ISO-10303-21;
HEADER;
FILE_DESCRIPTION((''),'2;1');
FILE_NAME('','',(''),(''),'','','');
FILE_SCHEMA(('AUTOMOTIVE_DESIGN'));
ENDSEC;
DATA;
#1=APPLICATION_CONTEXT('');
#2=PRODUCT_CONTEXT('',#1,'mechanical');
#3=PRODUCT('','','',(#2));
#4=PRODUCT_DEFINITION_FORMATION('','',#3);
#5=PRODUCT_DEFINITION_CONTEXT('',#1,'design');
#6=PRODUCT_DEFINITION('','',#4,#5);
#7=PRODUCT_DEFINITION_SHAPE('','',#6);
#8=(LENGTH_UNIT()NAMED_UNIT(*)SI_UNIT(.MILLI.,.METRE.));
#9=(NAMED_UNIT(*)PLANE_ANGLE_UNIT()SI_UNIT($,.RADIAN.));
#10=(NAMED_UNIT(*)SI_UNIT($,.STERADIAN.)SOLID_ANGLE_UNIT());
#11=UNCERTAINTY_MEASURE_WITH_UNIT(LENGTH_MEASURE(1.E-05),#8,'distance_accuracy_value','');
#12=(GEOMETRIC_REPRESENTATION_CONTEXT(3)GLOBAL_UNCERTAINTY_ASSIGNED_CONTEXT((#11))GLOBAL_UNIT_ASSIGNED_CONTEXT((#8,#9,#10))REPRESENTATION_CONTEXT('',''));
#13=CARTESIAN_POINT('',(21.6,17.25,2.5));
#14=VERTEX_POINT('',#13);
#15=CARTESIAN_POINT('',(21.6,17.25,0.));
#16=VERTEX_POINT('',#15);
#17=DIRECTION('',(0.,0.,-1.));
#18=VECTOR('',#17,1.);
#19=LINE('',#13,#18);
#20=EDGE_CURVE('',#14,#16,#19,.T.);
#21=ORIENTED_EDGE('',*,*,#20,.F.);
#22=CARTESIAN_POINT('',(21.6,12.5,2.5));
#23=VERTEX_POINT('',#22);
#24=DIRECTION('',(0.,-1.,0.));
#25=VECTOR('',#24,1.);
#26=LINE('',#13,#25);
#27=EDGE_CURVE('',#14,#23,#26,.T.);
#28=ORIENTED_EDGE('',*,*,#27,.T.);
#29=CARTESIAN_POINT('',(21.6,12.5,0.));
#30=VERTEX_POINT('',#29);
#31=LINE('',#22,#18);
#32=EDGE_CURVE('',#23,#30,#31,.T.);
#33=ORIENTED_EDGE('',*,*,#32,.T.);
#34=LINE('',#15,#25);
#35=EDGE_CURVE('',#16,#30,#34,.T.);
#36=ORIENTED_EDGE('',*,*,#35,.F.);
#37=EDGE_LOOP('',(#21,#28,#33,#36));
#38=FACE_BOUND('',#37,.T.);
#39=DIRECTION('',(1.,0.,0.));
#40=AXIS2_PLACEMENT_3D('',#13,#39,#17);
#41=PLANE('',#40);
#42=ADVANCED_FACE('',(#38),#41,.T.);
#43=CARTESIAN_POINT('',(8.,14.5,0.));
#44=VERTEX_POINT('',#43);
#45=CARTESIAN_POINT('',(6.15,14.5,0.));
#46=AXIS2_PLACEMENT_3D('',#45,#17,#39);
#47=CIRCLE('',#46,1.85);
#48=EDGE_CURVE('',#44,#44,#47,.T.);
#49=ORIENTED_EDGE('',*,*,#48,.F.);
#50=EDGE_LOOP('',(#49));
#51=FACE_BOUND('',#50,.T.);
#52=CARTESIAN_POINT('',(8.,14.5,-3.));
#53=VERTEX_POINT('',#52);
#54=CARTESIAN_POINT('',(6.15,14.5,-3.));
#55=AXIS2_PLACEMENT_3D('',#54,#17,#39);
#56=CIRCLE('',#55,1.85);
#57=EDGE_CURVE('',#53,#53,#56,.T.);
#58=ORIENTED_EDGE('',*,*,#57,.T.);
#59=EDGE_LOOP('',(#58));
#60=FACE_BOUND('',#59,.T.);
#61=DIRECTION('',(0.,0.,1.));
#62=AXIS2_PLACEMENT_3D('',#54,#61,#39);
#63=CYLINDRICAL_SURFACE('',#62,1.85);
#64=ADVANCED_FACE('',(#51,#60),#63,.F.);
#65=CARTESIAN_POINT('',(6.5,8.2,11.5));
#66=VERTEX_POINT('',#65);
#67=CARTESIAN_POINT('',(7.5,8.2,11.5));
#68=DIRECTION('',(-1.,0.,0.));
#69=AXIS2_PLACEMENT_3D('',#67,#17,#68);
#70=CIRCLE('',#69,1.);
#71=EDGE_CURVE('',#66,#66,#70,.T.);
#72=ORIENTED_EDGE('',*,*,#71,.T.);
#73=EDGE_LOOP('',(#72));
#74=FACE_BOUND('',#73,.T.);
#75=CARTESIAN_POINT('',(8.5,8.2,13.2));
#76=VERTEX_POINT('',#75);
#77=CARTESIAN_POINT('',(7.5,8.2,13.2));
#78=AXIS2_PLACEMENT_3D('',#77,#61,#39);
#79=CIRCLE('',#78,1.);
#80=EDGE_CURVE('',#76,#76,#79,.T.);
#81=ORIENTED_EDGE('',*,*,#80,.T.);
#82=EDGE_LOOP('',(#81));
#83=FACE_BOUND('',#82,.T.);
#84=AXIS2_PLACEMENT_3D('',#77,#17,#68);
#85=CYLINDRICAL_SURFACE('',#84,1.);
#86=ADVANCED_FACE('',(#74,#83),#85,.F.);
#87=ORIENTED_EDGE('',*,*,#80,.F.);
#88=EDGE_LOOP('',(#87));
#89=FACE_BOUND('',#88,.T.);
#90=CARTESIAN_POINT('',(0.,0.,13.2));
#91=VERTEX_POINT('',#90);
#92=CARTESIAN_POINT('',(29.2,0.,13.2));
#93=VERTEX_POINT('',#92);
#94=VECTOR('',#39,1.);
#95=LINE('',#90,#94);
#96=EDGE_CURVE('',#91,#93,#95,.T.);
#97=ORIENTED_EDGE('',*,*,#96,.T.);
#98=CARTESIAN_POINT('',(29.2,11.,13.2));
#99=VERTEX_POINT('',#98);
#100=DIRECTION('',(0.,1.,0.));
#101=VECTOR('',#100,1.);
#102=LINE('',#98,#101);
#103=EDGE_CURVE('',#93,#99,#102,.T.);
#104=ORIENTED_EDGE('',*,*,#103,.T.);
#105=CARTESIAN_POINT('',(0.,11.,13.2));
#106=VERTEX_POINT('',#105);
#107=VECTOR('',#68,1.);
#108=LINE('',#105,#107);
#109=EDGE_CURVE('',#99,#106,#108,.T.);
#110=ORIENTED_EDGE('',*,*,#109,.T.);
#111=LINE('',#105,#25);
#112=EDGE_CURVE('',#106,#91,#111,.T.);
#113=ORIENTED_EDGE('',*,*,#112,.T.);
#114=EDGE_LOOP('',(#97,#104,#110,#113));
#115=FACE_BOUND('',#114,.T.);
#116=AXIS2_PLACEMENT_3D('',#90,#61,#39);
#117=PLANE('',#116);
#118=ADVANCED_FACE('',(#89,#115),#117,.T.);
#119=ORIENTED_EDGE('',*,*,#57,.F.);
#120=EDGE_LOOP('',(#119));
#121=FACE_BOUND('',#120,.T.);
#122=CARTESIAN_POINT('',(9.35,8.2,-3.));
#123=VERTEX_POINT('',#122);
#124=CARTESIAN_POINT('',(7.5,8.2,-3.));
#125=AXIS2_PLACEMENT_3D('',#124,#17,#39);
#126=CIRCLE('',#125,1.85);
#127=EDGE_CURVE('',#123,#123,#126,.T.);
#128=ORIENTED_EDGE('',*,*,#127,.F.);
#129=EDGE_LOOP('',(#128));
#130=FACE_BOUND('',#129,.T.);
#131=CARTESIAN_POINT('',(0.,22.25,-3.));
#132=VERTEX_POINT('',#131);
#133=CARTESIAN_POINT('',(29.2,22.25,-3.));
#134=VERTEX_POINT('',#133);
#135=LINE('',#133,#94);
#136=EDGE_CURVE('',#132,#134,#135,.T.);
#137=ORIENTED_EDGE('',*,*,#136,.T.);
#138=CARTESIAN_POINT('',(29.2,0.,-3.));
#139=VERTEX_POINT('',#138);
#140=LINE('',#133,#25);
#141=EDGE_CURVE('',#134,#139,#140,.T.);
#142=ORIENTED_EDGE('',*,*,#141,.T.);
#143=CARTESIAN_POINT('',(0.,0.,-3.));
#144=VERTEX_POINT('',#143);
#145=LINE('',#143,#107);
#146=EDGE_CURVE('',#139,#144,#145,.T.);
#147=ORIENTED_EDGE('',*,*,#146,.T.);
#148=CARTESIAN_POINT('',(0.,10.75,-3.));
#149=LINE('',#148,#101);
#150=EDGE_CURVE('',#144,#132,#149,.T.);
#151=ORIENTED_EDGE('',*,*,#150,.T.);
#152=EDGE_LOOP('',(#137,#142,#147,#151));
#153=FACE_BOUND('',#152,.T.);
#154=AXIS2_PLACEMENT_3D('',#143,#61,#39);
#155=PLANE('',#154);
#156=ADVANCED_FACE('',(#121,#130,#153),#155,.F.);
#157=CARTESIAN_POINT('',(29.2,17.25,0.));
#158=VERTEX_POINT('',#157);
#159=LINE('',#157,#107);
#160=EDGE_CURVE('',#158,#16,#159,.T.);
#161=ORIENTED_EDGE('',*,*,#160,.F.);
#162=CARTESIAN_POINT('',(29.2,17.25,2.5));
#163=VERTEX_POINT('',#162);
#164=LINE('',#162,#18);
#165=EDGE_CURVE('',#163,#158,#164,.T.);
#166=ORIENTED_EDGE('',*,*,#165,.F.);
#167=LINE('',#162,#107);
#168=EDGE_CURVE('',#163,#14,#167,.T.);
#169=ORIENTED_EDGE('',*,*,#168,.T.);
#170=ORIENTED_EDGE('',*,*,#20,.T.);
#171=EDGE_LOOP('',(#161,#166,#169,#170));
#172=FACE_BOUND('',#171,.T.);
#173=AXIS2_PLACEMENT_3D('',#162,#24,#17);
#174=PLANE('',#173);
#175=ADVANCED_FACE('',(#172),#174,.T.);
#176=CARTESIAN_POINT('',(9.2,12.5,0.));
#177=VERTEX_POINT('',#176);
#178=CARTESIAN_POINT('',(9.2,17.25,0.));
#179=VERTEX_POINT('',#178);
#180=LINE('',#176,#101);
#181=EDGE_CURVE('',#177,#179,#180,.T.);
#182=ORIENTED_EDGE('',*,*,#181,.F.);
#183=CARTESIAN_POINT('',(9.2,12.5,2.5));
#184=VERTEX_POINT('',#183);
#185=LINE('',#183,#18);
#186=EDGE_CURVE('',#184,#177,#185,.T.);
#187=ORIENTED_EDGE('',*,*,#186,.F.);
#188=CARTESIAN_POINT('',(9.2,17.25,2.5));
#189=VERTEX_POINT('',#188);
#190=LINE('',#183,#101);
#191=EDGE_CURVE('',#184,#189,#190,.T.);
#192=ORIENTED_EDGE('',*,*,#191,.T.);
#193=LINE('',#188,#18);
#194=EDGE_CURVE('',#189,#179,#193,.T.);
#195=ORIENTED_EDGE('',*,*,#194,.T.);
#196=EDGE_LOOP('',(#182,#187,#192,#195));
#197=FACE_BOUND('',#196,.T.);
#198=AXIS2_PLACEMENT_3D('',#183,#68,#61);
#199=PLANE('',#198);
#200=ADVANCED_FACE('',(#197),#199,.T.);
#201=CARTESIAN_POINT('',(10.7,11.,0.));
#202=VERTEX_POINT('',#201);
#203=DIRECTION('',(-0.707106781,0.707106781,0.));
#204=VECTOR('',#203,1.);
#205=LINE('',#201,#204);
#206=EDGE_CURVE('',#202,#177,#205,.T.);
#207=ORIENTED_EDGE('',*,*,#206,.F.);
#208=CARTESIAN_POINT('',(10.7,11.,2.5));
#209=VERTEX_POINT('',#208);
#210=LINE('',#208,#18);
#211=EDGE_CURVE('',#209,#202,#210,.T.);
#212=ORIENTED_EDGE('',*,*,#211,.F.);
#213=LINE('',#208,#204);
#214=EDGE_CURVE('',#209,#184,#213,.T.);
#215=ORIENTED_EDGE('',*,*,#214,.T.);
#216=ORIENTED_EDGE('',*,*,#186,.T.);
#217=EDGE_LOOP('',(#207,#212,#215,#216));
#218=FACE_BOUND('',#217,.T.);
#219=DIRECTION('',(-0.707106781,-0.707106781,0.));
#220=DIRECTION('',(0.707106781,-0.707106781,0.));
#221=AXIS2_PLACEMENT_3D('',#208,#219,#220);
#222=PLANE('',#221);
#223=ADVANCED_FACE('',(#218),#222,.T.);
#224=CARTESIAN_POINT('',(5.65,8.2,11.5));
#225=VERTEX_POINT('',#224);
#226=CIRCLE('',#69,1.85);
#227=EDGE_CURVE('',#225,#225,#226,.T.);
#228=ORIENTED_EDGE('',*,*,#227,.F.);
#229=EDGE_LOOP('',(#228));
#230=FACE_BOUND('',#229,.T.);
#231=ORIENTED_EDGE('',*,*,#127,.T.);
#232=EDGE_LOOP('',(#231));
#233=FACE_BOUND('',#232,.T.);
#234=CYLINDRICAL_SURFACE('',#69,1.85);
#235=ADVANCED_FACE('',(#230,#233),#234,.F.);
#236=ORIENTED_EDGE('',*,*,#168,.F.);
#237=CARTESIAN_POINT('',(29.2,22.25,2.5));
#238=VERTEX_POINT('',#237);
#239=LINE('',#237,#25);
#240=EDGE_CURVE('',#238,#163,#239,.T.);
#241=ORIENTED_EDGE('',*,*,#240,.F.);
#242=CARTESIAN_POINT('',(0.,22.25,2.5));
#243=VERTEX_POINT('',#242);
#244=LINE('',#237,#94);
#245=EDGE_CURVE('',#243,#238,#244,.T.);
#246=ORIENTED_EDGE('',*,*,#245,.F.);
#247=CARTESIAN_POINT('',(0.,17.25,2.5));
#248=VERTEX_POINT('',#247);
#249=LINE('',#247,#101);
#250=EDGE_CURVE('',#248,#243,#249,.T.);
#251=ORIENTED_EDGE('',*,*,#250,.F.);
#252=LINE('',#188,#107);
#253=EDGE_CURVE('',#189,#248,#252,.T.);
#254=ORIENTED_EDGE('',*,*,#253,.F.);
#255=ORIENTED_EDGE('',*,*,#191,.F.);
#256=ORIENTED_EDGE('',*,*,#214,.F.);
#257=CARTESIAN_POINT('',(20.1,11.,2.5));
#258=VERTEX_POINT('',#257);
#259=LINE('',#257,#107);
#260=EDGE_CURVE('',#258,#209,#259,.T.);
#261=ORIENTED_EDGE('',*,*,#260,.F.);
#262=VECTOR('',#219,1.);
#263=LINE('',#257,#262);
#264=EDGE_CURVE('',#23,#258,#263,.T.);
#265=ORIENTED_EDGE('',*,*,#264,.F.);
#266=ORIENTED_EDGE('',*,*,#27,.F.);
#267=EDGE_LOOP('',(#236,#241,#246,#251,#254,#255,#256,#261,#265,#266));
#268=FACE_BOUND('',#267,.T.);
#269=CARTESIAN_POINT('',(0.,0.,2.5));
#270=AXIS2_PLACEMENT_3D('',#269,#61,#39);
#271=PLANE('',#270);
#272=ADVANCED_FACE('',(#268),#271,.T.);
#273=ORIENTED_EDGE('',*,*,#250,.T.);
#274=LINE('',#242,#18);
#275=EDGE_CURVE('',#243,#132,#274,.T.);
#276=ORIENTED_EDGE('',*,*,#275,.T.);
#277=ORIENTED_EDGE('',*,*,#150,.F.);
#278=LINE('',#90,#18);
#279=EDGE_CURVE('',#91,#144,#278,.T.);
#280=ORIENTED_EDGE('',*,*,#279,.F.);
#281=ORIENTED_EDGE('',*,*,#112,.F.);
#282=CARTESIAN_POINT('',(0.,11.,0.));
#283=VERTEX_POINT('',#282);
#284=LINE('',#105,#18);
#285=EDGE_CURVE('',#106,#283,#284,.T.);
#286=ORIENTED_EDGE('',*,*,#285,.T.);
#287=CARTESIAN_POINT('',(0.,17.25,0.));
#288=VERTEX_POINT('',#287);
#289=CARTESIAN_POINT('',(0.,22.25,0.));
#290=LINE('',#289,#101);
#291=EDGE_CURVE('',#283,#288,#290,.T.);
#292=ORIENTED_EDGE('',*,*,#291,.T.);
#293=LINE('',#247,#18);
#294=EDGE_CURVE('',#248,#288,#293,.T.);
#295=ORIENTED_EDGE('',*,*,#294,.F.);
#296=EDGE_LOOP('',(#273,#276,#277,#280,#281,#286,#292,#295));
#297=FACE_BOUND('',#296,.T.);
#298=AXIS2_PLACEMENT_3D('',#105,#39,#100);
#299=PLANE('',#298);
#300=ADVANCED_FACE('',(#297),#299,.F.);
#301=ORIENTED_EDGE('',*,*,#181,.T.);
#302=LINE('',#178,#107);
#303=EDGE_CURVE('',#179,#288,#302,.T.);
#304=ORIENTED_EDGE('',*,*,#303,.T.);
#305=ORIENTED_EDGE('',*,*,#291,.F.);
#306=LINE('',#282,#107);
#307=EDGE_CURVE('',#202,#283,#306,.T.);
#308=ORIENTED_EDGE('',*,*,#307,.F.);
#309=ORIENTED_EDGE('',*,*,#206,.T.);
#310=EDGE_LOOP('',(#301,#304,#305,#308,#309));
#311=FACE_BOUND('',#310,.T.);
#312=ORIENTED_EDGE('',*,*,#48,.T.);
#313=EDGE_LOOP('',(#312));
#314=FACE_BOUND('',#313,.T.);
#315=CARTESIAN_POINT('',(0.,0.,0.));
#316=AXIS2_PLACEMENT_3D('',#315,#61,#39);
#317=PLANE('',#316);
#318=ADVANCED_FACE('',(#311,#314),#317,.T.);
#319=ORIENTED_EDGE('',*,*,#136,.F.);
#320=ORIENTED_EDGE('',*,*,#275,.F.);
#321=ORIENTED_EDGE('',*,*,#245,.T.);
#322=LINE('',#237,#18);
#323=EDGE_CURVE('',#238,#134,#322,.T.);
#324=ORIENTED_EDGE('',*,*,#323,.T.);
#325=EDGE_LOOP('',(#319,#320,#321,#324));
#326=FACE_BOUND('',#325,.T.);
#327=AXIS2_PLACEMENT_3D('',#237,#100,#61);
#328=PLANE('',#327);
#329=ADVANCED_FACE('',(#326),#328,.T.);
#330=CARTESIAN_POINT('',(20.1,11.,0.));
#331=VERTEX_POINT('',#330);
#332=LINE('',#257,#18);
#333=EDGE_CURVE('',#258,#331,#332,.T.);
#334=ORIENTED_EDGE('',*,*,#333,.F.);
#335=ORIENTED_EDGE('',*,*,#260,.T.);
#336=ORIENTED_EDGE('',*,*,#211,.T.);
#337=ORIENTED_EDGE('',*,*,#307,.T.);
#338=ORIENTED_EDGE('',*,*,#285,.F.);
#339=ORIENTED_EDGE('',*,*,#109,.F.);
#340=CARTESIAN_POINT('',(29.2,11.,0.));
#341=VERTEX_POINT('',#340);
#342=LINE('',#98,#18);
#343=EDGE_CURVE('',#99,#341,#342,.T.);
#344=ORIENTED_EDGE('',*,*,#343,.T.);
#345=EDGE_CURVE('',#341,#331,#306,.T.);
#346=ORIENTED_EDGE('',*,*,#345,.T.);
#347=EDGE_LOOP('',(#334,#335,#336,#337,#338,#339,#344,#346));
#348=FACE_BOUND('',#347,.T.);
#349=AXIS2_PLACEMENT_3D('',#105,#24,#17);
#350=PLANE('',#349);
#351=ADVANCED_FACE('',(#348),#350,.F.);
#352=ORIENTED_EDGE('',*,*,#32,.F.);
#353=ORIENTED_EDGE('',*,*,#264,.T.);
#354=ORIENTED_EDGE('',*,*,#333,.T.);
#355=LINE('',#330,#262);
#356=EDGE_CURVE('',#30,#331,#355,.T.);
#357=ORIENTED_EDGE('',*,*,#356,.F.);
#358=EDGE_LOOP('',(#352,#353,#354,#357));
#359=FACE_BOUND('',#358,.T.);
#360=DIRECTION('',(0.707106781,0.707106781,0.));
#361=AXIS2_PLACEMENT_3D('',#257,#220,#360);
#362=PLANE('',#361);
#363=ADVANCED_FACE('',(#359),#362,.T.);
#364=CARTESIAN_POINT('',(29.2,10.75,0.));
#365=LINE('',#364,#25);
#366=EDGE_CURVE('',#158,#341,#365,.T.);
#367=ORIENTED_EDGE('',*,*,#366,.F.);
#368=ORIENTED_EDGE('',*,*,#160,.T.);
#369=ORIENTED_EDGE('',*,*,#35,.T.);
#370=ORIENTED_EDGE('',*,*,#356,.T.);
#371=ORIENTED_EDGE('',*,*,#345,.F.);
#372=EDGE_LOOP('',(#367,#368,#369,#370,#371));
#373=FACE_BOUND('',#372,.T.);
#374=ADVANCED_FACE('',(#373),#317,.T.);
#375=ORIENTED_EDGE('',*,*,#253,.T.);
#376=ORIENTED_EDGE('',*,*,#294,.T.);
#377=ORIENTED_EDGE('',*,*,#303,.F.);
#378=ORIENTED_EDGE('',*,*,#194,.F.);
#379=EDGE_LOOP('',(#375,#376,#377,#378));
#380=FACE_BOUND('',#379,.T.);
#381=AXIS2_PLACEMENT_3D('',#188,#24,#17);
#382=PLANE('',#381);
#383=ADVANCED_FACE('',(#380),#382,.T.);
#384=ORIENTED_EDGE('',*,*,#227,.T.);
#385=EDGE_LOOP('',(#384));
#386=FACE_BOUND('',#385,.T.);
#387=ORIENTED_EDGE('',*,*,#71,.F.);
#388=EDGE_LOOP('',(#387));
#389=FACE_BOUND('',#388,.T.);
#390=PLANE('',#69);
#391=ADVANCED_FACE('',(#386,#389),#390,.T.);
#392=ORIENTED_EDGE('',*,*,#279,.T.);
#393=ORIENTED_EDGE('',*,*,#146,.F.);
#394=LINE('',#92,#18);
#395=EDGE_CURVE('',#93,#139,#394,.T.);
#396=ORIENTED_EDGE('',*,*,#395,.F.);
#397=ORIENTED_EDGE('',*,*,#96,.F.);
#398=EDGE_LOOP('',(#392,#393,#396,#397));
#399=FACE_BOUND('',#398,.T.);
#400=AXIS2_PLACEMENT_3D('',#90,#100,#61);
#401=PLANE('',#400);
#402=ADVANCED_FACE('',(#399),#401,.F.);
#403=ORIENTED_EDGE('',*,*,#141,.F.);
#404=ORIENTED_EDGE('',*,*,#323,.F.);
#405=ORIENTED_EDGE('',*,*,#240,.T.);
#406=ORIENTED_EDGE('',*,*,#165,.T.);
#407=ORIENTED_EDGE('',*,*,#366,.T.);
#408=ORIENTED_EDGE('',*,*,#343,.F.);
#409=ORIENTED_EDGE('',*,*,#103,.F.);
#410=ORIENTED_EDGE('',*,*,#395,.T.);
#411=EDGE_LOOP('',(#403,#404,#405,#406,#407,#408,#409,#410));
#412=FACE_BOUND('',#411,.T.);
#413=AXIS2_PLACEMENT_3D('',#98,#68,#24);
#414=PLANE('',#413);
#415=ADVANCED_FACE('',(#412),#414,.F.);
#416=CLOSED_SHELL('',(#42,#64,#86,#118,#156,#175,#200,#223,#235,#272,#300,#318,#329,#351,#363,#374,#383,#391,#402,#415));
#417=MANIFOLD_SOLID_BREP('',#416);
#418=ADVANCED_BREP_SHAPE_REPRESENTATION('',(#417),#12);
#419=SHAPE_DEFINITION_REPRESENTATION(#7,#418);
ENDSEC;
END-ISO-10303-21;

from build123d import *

# Parameters (mm, degrees)
SKETCH1_W           = 29.2
SKETCH1_H           = 11
SKETCH1_R           = 1
BOSS_EXTRUDE1_DEPTH = 13.2
SKETCH6_R           = 1.85
CUT_EXTRUDE3_DEPTH  = 11.5
BOSS_EXTRUDE4_DEPTH = 2.5
SKETCH8_R           = 1.85
BOSS_EXTRUDE5_DEPTH = 3


with BuildPart() as part:
    # Sketch1 → Boss-Extrude1 (new body)
    with BuildSketch(Plane.XY):
        with Locations((14.6, 5.5)):
            Rectangle(SKETCH1_W, SKETCH1_H)
        with Locations((7.5, 8.2)):
            Circle(SKETCH1_R, mode=Mode.SUBTRACT)
    extrude(amount=BOSS_EXTRUDE1_DEPTH)

    # Sketch6 → Cut-Extrude3 (cut)
    with BuildSketch(Plane(origin=(0, 0, 0), x_dir=(-1, 0, 0), z_dir=(0, 0, -1))):
        with Locations((-7.5, 8.2)):
            Circle(SKETCH6_R)
    extrude(amount=-CUT_EXTRUDE3_DEPTH, mode=Mode.SUBTRACT)

    # Sketch7 → Boss-Extrude4 (add)
    with BuildSketch(Plane(origin=(0, 0, 0), x_dir=(-1, 0, 0), z_dir=(0, 0, -1))):
        Polygon((-20.1, 11), (-10.7, 11), (-9.2, 12.5), (-9.2, 17.25), (0, 17.25), (0, 22.25), (-29.2, 22.25), (-29.2, 17.25), (-21.6, 17.25), (-21.6, 12.5), align=None)
    extrude(amount=-BOSS_EXTRUDE4_DEPTH)

    # Sketch8 → Boss-Extrude5 (add)
    with BuildSketch(Plane(origin=(0, 0, 0), x_dir=(-1, 0, 0), z_dir=(0, 0, -1))):
        Polygon((-29.2, 22.25), (0, 22.25), (0, 16), (0, 10.75), (0, 0), (-29.2, 0), (-29.2, 10.75), (-29.2, 16), align=None)
        with Locations((-7.5, 8.2)):
            Circle(SKETCH8_R, mode=Mode.SUBTRACT)
        with Locations((-6.15, 14.5)):
            Circle(SKETCH8_R, mode=Mode.SUBTRACT)
    extrude(amount=BOSS_EXTRUDE5_DEPTH)


solid = part.part
